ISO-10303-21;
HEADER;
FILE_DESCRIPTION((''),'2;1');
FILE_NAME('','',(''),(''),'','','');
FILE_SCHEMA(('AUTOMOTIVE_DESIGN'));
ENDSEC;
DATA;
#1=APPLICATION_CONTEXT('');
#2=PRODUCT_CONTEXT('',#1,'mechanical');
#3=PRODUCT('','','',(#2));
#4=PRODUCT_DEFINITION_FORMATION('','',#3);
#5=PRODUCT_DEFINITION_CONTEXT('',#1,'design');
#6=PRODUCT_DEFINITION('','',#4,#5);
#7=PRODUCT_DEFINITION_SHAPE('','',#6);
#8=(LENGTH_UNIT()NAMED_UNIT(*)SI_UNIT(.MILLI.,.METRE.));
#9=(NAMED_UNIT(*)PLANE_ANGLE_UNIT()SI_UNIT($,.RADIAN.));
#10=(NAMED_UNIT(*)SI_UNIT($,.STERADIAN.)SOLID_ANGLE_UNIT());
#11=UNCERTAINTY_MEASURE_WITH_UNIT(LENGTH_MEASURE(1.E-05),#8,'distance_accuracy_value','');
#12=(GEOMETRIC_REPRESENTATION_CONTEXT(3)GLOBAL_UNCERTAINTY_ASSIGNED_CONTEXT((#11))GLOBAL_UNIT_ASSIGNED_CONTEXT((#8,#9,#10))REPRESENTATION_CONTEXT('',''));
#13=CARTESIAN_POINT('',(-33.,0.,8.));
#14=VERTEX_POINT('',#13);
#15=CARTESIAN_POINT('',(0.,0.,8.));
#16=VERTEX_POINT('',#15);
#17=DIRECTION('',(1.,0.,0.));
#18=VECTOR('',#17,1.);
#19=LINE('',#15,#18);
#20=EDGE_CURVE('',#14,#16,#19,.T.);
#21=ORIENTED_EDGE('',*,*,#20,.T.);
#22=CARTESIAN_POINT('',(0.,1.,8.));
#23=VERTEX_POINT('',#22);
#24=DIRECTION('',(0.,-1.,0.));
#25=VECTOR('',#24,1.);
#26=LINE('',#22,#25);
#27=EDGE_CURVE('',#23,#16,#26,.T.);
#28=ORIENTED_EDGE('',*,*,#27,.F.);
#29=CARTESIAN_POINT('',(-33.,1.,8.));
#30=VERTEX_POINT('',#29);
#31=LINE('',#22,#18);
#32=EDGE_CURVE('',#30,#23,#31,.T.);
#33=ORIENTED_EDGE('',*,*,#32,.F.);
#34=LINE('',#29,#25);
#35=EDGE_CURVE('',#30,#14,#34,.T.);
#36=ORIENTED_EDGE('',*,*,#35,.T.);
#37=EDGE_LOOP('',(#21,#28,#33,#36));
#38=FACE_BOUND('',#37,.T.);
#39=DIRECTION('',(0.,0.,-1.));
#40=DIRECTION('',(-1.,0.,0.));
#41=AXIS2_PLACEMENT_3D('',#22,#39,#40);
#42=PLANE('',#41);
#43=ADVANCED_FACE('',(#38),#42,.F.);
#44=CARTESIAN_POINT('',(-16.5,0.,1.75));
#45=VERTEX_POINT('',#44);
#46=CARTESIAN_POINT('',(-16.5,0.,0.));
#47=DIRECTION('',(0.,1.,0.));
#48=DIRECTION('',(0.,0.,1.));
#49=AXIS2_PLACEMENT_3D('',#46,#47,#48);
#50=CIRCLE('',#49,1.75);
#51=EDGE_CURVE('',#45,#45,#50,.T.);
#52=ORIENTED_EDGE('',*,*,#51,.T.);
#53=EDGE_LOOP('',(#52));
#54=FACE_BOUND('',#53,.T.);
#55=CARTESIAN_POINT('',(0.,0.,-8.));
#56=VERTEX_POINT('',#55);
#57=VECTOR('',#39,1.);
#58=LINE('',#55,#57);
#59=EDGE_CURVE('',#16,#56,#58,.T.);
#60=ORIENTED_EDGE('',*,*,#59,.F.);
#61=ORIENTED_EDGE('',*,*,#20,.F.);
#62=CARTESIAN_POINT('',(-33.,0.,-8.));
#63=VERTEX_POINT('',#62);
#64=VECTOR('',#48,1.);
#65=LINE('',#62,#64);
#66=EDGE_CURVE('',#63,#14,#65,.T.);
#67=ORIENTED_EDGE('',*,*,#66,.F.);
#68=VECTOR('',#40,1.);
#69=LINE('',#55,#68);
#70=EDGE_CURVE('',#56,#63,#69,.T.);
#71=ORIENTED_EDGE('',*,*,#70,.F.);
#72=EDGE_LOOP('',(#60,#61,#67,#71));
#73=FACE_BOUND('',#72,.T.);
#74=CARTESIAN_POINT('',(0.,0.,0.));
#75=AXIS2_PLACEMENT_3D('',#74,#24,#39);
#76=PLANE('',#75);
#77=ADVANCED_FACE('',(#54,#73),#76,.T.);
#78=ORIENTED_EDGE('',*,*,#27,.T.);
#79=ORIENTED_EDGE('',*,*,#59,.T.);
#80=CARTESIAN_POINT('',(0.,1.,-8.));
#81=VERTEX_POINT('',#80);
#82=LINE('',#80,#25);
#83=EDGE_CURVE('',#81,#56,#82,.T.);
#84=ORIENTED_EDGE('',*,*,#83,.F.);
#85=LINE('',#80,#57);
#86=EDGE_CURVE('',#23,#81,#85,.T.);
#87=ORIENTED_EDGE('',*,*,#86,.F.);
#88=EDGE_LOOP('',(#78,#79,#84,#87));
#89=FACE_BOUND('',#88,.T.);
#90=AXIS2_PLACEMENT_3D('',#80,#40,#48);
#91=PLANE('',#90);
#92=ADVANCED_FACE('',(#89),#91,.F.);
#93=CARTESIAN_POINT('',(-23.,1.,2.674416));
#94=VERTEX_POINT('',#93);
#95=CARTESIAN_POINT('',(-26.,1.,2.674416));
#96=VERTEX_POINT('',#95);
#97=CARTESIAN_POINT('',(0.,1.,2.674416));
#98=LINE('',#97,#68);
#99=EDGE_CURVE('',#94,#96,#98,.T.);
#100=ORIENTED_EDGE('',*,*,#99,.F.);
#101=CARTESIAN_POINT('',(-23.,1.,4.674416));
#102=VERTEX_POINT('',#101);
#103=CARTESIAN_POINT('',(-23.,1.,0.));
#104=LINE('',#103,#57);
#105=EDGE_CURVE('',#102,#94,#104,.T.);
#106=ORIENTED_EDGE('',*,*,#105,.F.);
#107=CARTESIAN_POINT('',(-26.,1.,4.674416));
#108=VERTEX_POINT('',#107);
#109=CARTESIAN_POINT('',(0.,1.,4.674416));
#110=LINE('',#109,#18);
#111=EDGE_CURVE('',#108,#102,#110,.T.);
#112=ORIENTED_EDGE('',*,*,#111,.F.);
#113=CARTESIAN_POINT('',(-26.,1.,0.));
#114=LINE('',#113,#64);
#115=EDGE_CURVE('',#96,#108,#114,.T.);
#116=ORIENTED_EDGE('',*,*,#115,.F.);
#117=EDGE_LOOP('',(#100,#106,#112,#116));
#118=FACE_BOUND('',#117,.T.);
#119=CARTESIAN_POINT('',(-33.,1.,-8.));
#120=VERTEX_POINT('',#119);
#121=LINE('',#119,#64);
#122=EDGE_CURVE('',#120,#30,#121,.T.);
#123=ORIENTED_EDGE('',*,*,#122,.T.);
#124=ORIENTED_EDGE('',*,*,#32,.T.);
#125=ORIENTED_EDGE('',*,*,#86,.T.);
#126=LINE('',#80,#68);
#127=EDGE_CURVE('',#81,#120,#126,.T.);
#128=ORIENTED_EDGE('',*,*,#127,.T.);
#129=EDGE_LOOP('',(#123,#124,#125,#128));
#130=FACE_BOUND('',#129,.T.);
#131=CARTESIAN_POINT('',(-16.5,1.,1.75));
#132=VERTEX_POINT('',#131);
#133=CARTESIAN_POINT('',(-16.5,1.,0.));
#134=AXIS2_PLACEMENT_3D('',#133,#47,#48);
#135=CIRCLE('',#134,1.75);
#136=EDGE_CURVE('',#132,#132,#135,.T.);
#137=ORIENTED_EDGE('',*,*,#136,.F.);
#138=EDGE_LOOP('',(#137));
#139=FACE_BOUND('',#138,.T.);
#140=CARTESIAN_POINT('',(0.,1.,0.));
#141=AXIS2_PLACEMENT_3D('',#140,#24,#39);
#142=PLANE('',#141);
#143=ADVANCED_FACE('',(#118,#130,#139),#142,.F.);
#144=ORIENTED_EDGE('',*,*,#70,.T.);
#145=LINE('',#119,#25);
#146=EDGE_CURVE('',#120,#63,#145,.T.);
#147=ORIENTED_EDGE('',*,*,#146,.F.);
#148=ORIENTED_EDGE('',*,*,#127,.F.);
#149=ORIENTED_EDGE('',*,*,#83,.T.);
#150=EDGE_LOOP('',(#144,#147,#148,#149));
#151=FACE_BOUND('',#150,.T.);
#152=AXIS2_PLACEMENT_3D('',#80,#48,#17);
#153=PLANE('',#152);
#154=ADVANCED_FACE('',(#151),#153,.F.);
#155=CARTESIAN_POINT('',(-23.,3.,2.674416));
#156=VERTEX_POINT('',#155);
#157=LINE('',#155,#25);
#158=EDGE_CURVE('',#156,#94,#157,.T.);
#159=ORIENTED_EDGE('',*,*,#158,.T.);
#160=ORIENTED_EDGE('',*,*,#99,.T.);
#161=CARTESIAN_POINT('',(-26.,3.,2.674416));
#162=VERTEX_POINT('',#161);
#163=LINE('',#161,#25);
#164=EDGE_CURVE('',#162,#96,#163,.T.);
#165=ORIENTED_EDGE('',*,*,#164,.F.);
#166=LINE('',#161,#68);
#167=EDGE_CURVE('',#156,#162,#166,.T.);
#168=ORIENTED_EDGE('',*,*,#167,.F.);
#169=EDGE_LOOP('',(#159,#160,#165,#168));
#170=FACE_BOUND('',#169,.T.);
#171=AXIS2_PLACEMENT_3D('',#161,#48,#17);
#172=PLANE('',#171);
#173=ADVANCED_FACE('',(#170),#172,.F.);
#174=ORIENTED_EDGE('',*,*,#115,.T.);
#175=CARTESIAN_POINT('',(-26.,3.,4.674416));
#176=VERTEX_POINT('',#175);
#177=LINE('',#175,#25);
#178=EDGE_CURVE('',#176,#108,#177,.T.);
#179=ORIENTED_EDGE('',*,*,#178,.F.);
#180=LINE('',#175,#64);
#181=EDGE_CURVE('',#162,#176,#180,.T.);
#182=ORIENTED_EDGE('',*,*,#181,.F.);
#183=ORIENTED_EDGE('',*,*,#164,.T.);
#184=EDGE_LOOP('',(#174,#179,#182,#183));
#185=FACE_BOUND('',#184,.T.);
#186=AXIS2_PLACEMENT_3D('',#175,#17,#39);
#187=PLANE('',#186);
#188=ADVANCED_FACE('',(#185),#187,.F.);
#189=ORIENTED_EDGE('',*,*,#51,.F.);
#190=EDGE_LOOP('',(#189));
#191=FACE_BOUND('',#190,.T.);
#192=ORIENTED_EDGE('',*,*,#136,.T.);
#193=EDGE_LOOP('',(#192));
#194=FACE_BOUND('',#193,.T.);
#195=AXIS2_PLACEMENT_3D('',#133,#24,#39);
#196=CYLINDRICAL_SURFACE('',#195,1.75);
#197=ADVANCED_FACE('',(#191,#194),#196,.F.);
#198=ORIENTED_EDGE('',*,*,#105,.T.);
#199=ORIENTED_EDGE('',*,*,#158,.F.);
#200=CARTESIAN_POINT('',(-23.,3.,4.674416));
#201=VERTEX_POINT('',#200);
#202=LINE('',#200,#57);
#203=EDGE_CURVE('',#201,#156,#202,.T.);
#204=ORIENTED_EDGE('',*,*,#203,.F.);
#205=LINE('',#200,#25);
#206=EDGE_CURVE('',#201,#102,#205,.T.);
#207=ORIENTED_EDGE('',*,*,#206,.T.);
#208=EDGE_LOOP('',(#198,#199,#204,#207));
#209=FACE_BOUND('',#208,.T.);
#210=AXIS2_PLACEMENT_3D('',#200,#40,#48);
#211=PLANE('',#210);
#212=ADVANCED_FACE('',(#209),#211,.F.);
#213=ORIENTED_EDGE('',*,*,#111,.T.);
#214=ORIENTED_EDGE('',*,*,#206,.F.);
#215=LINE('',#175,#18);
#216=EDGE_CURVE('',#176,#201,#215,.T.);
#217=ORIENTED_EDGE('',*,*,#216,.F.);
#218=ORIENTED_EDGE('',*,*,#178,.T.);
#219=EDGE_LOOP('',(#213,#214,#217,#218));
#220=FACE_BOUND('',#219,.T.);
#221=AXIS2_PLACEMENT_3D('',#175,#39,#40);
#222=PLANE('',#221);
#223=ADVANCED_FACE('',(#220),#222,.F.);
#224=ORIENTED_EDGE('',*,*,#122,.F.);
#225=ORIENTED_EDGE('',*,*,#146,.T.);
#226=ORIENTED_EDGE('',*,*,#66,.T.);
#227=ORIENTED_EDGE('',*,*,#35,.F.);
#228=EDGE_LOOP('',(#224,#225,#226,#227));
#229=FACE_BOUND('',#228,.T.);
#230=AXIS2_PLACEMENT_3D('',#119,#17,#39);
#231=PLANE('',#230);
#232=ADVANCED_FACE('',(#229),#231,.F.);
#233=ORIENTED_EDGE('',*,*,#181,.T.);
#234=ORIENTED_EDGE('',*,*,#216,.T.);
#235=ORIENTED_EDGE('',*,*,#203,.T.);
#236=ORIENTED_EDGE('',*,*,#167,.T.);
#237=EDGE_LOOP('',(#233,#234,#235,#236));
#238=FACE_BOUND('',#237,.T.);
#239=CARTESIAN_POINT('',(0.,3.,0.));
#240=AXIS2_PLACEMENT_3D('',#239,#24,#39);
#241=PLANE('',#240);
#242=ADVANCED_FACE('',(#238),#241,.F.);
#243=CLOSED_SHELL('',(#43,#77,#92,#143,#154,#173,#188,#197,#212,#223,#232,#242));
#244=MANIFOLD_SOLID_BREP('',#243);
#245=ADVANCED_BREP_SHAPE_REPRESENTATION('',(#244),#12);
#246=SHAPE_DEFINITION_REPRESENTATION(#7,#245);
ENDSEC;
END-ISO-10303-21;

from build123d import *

# Parameters (mm, degrees)
SKETCH_1_W      = 33
SKETCH_1_H      = 16
SKETCH_1_R      = 1.75
EXTRUDE_1_DEPTH = 1
SKETCH_2_W      = 3
SKETCH_2_H      = 2
EXTRUDE_2_DEPTH = 3


with BuildPart() as part:
    # Эскиз1 → Бобышка-Вытянуть1 (new body)
    with BuildSketch(Plane(origin=(0, 0, 0), x_dir=(1, 0, 0), z_dir=(0, 1, 0))):
        with Locations((-16.5, 0)):
            Rectangle(SKETCH_1_W, SKETCH_1_H)
        with Locations(Location((-16.5, 0, 0), (0, 0, 270))):
            Circle(SKETCH_1_R, mode=Mode.SUBTRACT)
    extrude(amount=EXTRUDE_1_DEPTH)

    # Эскиз2 → Бобышка-Вытянуть2 (add)
    with BuildSketch(Plane(origin=(0, 0, 0), x_dir=(1, 0, 0), z_dir=(0, 1, 0))):
        with Locations((-24.5, -3.674415698)):
            Rectangle(SKETCH_2_W, SKETCH_2_H)
    extrude(amount=EXTRUDE_2_DEPTH)


solid = part.part
